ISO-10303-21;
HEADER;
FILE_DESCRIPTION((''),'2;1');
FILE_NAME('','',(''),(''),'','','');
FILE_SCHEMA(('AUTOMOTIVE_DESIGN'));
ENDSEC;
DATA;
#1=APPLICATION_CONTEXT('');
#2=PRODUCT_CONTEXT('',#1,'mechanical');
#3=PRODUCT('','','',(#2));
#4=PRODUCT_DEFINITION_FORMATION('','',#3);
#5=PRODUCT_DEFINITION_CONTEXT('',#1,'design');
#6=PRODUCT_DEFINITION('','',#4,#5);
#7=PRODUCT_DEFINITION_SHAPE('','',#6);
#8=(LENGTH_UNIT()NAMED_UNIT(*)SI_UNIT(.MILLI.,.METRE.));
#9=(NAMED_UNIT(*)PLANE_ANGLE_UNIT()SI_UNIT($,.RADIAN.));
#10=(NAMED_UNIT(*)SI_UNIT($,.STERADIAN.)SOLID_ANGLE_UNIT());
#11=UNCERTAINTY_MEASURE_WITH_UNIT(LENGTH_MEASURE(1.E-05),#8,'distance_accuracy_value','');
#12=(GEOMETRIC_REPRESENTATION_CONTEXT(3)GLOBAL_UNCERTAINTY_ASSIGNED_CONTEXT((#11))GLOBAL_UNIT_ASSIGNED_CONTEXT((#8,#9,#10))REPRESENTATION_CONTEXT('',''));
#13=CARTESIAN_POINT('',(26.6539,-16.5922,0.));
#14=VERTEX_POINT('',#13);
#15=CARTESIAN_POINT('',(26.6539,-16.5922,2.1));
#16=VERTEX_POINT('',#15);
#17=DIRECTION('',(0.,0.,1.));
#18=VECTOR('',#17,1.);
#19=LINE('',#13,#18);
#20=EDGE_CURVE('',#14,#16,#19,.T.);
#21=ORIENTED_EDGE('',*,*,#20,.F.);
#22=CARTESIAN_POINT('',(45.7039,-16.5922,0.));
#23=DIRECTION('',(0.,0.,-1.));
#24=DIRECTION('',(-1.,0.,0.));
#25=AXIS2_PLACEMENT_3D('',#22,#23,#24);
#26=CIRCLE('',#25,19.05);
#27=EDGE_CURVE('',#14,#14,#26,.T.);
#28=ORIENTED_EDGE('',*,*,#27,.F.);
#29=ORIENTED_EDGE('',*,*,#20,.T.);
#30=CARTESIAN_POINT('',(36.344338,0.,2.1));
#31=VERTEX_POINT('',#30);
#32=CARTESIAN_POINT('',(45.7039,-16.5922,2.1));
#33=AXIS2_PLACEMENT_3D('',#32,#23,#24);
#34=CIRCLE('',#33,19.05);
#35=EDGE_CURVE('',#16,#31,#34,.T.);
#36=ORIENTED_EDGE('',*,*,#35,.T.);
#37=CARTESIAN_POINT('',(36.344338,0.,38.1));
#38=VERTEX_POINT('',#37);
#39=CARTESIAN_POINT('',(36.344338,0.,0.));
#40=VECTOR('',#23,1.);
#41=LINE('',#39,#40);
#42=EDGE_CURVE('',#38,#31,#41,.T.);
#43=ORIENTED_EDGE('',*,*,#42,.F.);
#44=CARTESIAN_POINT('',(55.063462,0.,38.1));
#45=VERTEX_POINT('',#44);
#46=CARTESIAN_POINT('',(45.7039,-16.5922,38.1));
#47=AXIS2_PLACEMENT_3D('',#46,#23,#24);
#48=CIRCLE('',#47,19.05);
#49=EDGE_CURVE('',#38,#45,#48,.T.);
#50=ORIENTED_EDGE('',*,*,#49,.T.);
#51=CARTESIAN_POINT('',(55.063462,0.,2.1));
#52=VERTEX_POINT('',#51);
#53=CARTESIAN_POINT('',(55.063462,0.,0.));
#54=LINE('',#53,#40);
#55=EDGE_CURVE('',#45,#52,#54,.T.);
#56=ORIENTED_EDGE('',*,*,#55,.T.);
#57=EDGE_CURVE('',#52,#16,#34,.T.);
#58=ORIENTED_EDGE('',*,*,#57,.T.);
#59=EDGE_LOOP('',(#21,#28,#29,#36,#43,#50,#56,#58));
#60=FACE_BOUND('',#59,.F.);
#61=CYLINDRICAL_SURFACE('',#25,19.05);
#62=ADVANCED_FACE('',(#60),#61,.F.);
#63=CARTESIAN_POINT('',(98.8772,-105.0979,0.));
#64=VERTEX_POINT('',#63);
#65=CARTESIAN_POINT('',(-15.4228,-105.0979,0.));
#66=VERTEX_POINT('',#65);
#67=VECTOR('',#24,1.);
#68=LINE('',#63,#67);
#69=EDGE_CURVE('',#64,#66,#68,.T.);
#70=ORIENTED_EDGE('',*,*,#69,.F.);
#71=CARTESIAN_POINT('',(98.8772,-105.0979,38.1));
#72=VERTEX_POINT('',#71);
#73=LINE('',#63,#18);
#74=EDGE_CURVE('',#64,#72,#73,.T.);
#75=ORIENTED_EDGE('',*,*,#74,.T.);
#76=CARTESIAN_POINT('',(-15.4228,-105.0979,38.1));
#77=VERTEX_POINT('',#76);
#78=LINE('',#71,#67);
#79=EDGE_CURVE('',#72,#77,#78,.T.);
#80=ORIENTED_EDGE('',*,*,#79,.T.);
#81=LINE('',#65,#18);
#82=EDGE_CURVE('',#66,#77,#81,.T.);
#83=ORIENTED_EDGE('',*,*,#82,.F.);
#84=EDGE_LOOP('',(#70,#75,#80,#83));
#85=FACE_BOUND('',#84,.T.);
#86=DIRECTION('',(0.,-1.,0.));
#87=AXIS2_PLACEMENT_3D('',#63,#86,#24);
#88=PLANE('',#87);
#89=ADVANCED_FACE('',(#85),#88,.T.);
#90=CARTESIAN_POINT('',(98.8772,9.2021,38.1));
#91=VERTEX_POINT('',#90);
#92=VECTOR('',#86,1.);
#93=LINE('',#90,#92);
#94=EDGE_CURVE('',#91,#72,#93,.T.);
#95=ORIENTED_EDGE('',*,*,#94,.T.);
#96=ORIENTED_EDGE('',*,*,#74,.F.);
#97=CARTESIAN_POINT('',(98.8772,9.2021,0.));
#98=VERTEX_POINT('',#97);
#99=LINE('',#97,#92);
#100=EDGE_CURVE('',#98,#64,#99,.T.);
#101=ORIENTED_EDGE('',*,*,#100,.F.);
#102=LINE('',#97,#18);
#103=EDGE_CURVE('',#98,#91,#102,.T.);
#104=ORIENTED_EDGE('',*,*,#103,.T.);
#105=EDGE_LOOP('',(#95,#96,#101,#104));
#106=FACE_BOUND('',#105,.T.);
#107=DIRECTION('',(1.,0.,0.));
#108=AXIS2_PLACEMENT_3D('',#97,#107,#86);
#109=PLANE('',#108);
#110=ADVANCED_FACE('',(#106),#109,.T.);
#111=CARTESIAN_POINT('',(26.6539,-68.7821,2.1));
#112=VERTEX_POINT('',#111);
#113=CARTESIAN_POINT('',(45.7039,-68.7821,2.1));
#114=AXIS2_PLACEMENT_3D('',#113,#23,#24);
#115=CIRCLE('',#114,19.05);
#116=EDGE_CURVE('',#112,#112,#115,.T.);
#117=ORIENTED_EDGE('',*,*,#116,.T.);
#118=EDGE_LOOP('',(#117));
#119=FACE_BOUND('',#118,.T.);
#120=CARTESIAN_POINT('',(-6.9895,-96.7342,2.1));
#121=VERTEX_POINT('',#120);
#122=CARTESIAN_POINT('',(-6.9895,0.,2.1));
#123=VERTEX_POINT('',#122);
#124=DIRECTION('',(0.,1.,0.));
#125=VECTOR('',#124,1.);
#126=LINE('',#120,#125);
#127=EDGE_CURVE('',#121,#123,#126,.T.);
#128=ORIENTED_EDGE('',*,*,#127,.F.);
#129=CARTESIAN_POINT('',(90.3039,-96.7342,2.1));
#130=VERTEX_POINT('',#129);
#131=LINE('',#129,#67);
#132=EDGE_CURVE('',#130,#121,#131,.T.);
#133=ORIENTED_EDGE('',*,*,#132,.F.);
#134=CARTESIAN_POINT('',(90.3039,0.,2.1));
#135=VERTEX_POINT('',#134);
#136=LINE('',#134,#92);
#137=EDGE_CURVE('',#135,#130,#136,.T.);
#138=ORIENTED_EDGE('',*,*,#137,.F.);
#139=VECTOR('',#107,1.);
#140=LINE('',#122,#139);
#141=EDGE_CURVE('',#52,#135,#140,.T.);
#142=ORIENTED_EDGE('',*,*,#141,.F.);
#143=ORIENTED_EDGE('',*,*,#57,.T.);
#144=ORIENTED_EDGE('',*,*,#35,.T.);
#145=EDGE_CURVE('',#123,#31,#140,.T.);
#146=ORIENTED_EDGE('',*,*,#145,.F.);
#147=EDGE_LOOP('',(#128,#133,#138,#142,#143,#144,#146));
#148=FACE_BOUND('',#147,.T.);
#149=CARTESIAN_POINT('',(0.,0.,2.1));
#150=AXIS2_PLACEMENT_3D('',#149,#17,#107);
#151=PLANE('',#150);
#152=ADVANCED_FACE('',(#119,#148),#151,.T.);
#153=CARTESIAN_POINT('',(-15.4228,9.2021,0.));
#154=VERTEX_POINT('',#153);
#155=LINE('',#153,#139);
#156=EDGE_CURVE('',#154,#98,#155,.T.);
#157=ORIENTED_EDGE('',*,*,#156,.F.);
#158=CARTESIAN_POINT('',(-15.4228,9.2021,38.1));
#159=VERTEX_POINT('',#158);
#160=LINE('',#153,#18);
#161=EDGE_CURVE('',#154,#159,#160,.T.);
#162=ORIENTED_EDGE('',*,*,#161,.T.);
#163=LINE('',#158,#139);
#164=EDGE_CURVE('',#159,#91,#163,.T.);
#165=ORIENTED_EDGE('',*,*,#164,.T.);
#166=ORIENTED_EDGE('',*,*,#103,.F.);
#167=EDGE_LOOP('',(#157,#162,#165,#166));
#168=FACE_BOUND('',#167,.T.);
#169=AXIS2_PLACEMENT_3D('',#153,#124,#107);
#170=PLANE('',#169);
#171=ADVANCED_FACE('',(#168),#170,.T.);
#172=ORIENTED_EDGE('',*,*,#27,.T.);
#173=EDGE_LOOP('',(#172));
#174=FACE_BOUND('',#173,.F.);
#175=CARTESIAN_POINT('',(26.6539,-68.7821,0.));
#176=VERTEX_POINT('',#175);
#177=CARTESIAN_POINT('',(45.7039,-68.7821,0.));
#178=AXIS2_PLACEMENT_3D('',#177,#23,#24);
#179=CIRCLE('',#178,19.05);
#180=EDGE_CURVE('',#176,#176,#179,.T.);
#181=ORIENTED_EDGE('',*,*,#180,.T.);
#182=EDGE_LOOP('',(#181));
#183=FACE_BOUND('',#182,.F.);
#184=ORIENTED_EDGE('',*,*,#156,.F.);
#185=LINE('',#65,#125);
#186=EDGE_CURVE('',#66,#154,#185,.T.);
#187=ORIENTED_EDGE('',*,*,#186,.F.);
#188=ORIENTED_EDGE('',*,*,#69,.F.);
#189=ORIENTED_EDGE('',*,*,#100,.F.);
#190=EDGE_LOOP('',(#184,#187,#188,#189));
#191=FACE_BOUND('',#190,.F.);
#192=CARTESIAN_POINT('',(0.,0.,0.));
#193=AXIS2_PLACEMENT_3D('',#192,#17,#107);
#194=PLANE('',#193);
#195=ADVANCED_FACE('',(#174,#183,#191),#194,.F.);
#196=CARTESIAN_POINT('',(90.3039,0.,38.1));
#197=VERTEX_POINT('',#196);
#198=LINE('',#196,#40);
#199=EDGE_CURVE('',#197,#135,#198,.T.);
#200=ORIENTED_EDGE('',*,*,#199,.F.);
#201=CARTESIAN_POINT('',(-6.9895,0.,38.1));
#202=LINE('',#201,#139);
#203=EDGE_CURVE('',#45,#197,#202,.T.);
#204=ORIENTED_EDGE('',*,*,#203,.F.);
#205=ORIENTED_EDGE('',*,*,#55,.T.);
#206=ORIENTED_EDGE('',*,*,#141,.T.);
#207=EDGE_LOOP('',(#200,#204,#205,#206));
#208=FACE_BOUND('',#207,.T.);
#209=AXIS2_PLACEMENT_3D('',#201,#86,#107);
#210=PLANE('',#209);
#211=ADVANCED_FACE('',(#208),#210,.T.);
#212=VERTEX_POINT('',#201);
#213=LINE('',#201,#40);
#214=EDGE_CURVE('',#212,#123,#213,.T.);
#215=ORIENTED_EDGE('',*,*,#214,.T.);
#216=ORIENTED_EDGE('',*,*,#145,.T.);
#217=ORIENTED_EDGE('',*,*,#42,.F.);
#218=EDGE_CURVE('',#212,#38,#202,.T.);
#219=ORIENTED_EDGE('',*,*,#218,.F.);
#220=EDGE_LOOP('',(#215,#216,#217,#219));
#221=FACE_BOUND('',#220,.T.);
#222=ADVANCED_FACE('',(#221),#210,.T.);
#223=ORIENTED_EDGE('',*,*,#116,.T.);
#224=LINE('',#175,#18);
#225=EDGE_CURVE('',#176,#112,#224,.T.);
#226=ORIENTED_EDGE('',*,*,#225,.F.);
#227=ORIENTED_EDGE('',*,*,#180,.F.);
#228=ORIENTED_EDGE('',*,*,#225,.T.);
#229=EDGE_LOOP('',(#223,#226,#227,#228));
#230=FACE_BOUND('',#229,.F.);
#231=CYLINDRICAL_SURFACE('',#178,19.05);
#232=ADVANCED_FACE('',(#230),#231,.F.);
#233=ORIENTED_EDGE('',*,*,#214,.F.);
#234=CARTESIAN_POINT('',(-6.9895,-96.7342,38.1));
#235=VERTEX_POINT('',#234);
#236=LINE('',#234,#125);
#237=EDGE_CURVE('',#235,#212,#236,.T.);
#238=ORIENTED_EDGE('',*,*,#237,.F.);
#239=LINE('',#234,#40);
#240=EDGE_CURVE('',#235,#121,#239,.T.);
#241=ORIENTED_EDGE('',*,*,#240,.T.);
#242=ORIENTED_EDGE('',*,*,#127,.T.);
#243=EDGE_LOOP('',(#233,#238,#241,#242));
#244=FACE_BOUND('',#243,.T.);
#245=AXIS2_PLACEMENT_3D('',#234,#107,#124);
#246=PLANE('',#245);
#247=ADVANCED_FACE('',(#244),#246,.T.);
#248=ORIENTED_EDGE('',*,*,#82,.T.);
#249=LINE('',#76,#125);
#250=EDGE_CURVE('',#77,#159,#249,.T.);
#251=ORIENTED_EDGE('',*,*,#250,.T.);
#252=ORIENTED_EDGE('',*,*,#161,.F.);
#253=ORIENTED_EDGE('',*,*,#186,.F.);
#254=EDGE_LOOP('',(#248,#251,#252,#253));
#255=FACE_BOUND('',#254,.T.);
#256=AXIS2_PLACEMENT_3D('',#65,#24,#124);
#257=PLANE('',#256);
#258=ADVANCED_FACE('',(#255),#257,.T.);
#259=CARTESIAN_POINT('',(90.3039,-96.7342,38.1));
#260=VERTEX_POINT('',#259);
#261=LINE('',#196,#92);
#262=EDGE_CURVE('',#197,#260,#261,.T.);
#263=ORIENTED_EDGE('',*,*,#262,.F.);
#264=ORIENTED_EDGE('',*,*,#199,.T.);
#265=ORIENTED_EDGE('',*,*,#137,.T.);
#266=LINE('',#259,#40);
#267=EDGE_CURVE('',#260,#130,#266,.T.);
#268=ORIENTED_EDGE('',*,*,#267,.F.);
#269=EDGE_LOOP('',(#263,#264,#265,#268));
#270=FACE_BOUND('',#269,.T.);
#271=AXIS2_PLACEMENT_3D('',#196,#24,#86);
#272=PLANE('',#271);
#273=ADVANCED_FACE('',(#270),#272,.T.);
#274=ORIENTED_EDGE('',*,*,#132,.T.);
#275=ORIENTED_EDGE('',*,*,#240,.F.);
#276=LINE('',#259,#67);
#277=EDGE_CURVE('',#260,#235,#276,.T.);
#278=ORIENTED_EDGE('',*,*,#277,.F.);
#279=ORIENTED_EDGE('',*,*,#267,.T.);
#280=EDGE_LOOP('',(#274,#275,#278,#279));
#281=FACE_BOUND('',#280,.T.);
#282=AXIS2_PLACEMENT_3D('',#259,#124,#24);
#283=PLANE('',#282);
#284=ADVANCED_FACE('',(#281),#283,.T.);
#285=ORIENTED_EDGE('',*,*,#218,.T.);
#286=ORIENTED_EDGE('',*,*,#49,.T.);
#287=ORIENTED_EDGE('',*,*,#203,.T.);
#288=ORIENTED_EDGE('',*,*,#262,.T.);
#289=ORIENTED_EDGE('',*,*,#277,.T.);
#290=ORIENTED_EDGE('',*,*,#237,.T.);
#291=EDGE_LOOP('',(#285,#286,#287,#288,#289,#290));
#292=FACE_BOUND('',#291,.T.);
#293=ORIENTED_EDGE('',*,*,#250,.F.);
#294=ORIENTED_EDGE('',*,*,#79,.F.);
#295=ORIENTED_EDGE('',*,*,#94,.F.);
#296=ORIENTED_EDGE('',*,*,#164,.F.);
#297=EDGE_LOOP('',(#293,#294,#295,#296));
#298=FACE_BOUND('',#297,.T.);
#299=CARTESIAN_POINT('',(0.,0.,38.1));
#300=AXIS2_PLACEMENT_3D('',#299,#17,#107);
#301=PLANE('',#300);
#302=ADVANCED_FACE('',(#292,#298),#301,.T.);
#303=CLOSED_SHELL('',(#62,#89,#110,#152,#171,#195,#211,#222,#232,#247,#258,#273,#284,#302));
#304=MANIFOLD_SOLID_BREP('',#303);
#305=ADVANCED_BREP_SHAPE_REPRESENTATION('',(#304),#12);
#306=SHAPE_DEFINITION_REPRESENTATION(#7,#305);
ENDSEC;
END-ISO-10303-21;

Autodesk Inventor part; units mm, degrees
ref_plane "YZ Plane" through (0, 0, 0) normal (1, 0, 0) x (0, 1, 0)
ref_plane "XZ Plane" through (0, 0, 0) normal (0, 1, 0) x (-1, 0, 0)
ref_plane "XY Plane" through (0, 0, 0) normal (0, 0, 1) x (1, 0, 0)
sketch "Sketch1" plane through (0, 0, 0) normal (0, 0, 1) x (1, 0, 0)
  line L0 (-15.4228, 9.2021) -> (98.8772, 9.2021)
  line L1 (98.8772, 9.2021) -> (98.8772, -105.0979)
  line L2 (98.8772, -105.0979) -> (-15.4228, -105.0979)
  line L3 (-15.4228, -105.0979) -> (-15.4228, 9.2021)
  point P0 (0, 0)
  dimension "d0" = 114.3
  dimension "d1" = 114.3
extrude "Extrusion1" add sketch "Sketch1" along normal blind 38.1
sketch "Sketch2" plane through (0, 0, 38.1) normal (0, 0, 1) x (1, 0, 0)
  line L0 (-6.9895, 0) -> (90.3039, 0)
  line L1 (90.3039, 0) -> (90.3039, -96.7342)
  line L2 (90.3039, -96.7342) -> (-6.9895, -96.7342)
  line L3 (-6.9895, -96.7342) -> (-6.9895, 0)
  point P0 (0, 0)
extrude "Extrusion2" cut sketch "Sketch2" against normal blind 36
sketch "Sketch3" plane through (0, 0, 0) normal (0, 0, -1) x (-1, 0, 0)
  circle A0 centre (-45.7039, -16.5922) radius 19.05
  circle A1 centre (-45.7039, -68.7821) radius 19.05
  point P0 (0, 0)
  dimension "d6" = 38.1
  dimension "d7" = 38.1
extrude "Extrusion3" cut sketch "Sketch3" against normal through all
properties part number "ledbox"
